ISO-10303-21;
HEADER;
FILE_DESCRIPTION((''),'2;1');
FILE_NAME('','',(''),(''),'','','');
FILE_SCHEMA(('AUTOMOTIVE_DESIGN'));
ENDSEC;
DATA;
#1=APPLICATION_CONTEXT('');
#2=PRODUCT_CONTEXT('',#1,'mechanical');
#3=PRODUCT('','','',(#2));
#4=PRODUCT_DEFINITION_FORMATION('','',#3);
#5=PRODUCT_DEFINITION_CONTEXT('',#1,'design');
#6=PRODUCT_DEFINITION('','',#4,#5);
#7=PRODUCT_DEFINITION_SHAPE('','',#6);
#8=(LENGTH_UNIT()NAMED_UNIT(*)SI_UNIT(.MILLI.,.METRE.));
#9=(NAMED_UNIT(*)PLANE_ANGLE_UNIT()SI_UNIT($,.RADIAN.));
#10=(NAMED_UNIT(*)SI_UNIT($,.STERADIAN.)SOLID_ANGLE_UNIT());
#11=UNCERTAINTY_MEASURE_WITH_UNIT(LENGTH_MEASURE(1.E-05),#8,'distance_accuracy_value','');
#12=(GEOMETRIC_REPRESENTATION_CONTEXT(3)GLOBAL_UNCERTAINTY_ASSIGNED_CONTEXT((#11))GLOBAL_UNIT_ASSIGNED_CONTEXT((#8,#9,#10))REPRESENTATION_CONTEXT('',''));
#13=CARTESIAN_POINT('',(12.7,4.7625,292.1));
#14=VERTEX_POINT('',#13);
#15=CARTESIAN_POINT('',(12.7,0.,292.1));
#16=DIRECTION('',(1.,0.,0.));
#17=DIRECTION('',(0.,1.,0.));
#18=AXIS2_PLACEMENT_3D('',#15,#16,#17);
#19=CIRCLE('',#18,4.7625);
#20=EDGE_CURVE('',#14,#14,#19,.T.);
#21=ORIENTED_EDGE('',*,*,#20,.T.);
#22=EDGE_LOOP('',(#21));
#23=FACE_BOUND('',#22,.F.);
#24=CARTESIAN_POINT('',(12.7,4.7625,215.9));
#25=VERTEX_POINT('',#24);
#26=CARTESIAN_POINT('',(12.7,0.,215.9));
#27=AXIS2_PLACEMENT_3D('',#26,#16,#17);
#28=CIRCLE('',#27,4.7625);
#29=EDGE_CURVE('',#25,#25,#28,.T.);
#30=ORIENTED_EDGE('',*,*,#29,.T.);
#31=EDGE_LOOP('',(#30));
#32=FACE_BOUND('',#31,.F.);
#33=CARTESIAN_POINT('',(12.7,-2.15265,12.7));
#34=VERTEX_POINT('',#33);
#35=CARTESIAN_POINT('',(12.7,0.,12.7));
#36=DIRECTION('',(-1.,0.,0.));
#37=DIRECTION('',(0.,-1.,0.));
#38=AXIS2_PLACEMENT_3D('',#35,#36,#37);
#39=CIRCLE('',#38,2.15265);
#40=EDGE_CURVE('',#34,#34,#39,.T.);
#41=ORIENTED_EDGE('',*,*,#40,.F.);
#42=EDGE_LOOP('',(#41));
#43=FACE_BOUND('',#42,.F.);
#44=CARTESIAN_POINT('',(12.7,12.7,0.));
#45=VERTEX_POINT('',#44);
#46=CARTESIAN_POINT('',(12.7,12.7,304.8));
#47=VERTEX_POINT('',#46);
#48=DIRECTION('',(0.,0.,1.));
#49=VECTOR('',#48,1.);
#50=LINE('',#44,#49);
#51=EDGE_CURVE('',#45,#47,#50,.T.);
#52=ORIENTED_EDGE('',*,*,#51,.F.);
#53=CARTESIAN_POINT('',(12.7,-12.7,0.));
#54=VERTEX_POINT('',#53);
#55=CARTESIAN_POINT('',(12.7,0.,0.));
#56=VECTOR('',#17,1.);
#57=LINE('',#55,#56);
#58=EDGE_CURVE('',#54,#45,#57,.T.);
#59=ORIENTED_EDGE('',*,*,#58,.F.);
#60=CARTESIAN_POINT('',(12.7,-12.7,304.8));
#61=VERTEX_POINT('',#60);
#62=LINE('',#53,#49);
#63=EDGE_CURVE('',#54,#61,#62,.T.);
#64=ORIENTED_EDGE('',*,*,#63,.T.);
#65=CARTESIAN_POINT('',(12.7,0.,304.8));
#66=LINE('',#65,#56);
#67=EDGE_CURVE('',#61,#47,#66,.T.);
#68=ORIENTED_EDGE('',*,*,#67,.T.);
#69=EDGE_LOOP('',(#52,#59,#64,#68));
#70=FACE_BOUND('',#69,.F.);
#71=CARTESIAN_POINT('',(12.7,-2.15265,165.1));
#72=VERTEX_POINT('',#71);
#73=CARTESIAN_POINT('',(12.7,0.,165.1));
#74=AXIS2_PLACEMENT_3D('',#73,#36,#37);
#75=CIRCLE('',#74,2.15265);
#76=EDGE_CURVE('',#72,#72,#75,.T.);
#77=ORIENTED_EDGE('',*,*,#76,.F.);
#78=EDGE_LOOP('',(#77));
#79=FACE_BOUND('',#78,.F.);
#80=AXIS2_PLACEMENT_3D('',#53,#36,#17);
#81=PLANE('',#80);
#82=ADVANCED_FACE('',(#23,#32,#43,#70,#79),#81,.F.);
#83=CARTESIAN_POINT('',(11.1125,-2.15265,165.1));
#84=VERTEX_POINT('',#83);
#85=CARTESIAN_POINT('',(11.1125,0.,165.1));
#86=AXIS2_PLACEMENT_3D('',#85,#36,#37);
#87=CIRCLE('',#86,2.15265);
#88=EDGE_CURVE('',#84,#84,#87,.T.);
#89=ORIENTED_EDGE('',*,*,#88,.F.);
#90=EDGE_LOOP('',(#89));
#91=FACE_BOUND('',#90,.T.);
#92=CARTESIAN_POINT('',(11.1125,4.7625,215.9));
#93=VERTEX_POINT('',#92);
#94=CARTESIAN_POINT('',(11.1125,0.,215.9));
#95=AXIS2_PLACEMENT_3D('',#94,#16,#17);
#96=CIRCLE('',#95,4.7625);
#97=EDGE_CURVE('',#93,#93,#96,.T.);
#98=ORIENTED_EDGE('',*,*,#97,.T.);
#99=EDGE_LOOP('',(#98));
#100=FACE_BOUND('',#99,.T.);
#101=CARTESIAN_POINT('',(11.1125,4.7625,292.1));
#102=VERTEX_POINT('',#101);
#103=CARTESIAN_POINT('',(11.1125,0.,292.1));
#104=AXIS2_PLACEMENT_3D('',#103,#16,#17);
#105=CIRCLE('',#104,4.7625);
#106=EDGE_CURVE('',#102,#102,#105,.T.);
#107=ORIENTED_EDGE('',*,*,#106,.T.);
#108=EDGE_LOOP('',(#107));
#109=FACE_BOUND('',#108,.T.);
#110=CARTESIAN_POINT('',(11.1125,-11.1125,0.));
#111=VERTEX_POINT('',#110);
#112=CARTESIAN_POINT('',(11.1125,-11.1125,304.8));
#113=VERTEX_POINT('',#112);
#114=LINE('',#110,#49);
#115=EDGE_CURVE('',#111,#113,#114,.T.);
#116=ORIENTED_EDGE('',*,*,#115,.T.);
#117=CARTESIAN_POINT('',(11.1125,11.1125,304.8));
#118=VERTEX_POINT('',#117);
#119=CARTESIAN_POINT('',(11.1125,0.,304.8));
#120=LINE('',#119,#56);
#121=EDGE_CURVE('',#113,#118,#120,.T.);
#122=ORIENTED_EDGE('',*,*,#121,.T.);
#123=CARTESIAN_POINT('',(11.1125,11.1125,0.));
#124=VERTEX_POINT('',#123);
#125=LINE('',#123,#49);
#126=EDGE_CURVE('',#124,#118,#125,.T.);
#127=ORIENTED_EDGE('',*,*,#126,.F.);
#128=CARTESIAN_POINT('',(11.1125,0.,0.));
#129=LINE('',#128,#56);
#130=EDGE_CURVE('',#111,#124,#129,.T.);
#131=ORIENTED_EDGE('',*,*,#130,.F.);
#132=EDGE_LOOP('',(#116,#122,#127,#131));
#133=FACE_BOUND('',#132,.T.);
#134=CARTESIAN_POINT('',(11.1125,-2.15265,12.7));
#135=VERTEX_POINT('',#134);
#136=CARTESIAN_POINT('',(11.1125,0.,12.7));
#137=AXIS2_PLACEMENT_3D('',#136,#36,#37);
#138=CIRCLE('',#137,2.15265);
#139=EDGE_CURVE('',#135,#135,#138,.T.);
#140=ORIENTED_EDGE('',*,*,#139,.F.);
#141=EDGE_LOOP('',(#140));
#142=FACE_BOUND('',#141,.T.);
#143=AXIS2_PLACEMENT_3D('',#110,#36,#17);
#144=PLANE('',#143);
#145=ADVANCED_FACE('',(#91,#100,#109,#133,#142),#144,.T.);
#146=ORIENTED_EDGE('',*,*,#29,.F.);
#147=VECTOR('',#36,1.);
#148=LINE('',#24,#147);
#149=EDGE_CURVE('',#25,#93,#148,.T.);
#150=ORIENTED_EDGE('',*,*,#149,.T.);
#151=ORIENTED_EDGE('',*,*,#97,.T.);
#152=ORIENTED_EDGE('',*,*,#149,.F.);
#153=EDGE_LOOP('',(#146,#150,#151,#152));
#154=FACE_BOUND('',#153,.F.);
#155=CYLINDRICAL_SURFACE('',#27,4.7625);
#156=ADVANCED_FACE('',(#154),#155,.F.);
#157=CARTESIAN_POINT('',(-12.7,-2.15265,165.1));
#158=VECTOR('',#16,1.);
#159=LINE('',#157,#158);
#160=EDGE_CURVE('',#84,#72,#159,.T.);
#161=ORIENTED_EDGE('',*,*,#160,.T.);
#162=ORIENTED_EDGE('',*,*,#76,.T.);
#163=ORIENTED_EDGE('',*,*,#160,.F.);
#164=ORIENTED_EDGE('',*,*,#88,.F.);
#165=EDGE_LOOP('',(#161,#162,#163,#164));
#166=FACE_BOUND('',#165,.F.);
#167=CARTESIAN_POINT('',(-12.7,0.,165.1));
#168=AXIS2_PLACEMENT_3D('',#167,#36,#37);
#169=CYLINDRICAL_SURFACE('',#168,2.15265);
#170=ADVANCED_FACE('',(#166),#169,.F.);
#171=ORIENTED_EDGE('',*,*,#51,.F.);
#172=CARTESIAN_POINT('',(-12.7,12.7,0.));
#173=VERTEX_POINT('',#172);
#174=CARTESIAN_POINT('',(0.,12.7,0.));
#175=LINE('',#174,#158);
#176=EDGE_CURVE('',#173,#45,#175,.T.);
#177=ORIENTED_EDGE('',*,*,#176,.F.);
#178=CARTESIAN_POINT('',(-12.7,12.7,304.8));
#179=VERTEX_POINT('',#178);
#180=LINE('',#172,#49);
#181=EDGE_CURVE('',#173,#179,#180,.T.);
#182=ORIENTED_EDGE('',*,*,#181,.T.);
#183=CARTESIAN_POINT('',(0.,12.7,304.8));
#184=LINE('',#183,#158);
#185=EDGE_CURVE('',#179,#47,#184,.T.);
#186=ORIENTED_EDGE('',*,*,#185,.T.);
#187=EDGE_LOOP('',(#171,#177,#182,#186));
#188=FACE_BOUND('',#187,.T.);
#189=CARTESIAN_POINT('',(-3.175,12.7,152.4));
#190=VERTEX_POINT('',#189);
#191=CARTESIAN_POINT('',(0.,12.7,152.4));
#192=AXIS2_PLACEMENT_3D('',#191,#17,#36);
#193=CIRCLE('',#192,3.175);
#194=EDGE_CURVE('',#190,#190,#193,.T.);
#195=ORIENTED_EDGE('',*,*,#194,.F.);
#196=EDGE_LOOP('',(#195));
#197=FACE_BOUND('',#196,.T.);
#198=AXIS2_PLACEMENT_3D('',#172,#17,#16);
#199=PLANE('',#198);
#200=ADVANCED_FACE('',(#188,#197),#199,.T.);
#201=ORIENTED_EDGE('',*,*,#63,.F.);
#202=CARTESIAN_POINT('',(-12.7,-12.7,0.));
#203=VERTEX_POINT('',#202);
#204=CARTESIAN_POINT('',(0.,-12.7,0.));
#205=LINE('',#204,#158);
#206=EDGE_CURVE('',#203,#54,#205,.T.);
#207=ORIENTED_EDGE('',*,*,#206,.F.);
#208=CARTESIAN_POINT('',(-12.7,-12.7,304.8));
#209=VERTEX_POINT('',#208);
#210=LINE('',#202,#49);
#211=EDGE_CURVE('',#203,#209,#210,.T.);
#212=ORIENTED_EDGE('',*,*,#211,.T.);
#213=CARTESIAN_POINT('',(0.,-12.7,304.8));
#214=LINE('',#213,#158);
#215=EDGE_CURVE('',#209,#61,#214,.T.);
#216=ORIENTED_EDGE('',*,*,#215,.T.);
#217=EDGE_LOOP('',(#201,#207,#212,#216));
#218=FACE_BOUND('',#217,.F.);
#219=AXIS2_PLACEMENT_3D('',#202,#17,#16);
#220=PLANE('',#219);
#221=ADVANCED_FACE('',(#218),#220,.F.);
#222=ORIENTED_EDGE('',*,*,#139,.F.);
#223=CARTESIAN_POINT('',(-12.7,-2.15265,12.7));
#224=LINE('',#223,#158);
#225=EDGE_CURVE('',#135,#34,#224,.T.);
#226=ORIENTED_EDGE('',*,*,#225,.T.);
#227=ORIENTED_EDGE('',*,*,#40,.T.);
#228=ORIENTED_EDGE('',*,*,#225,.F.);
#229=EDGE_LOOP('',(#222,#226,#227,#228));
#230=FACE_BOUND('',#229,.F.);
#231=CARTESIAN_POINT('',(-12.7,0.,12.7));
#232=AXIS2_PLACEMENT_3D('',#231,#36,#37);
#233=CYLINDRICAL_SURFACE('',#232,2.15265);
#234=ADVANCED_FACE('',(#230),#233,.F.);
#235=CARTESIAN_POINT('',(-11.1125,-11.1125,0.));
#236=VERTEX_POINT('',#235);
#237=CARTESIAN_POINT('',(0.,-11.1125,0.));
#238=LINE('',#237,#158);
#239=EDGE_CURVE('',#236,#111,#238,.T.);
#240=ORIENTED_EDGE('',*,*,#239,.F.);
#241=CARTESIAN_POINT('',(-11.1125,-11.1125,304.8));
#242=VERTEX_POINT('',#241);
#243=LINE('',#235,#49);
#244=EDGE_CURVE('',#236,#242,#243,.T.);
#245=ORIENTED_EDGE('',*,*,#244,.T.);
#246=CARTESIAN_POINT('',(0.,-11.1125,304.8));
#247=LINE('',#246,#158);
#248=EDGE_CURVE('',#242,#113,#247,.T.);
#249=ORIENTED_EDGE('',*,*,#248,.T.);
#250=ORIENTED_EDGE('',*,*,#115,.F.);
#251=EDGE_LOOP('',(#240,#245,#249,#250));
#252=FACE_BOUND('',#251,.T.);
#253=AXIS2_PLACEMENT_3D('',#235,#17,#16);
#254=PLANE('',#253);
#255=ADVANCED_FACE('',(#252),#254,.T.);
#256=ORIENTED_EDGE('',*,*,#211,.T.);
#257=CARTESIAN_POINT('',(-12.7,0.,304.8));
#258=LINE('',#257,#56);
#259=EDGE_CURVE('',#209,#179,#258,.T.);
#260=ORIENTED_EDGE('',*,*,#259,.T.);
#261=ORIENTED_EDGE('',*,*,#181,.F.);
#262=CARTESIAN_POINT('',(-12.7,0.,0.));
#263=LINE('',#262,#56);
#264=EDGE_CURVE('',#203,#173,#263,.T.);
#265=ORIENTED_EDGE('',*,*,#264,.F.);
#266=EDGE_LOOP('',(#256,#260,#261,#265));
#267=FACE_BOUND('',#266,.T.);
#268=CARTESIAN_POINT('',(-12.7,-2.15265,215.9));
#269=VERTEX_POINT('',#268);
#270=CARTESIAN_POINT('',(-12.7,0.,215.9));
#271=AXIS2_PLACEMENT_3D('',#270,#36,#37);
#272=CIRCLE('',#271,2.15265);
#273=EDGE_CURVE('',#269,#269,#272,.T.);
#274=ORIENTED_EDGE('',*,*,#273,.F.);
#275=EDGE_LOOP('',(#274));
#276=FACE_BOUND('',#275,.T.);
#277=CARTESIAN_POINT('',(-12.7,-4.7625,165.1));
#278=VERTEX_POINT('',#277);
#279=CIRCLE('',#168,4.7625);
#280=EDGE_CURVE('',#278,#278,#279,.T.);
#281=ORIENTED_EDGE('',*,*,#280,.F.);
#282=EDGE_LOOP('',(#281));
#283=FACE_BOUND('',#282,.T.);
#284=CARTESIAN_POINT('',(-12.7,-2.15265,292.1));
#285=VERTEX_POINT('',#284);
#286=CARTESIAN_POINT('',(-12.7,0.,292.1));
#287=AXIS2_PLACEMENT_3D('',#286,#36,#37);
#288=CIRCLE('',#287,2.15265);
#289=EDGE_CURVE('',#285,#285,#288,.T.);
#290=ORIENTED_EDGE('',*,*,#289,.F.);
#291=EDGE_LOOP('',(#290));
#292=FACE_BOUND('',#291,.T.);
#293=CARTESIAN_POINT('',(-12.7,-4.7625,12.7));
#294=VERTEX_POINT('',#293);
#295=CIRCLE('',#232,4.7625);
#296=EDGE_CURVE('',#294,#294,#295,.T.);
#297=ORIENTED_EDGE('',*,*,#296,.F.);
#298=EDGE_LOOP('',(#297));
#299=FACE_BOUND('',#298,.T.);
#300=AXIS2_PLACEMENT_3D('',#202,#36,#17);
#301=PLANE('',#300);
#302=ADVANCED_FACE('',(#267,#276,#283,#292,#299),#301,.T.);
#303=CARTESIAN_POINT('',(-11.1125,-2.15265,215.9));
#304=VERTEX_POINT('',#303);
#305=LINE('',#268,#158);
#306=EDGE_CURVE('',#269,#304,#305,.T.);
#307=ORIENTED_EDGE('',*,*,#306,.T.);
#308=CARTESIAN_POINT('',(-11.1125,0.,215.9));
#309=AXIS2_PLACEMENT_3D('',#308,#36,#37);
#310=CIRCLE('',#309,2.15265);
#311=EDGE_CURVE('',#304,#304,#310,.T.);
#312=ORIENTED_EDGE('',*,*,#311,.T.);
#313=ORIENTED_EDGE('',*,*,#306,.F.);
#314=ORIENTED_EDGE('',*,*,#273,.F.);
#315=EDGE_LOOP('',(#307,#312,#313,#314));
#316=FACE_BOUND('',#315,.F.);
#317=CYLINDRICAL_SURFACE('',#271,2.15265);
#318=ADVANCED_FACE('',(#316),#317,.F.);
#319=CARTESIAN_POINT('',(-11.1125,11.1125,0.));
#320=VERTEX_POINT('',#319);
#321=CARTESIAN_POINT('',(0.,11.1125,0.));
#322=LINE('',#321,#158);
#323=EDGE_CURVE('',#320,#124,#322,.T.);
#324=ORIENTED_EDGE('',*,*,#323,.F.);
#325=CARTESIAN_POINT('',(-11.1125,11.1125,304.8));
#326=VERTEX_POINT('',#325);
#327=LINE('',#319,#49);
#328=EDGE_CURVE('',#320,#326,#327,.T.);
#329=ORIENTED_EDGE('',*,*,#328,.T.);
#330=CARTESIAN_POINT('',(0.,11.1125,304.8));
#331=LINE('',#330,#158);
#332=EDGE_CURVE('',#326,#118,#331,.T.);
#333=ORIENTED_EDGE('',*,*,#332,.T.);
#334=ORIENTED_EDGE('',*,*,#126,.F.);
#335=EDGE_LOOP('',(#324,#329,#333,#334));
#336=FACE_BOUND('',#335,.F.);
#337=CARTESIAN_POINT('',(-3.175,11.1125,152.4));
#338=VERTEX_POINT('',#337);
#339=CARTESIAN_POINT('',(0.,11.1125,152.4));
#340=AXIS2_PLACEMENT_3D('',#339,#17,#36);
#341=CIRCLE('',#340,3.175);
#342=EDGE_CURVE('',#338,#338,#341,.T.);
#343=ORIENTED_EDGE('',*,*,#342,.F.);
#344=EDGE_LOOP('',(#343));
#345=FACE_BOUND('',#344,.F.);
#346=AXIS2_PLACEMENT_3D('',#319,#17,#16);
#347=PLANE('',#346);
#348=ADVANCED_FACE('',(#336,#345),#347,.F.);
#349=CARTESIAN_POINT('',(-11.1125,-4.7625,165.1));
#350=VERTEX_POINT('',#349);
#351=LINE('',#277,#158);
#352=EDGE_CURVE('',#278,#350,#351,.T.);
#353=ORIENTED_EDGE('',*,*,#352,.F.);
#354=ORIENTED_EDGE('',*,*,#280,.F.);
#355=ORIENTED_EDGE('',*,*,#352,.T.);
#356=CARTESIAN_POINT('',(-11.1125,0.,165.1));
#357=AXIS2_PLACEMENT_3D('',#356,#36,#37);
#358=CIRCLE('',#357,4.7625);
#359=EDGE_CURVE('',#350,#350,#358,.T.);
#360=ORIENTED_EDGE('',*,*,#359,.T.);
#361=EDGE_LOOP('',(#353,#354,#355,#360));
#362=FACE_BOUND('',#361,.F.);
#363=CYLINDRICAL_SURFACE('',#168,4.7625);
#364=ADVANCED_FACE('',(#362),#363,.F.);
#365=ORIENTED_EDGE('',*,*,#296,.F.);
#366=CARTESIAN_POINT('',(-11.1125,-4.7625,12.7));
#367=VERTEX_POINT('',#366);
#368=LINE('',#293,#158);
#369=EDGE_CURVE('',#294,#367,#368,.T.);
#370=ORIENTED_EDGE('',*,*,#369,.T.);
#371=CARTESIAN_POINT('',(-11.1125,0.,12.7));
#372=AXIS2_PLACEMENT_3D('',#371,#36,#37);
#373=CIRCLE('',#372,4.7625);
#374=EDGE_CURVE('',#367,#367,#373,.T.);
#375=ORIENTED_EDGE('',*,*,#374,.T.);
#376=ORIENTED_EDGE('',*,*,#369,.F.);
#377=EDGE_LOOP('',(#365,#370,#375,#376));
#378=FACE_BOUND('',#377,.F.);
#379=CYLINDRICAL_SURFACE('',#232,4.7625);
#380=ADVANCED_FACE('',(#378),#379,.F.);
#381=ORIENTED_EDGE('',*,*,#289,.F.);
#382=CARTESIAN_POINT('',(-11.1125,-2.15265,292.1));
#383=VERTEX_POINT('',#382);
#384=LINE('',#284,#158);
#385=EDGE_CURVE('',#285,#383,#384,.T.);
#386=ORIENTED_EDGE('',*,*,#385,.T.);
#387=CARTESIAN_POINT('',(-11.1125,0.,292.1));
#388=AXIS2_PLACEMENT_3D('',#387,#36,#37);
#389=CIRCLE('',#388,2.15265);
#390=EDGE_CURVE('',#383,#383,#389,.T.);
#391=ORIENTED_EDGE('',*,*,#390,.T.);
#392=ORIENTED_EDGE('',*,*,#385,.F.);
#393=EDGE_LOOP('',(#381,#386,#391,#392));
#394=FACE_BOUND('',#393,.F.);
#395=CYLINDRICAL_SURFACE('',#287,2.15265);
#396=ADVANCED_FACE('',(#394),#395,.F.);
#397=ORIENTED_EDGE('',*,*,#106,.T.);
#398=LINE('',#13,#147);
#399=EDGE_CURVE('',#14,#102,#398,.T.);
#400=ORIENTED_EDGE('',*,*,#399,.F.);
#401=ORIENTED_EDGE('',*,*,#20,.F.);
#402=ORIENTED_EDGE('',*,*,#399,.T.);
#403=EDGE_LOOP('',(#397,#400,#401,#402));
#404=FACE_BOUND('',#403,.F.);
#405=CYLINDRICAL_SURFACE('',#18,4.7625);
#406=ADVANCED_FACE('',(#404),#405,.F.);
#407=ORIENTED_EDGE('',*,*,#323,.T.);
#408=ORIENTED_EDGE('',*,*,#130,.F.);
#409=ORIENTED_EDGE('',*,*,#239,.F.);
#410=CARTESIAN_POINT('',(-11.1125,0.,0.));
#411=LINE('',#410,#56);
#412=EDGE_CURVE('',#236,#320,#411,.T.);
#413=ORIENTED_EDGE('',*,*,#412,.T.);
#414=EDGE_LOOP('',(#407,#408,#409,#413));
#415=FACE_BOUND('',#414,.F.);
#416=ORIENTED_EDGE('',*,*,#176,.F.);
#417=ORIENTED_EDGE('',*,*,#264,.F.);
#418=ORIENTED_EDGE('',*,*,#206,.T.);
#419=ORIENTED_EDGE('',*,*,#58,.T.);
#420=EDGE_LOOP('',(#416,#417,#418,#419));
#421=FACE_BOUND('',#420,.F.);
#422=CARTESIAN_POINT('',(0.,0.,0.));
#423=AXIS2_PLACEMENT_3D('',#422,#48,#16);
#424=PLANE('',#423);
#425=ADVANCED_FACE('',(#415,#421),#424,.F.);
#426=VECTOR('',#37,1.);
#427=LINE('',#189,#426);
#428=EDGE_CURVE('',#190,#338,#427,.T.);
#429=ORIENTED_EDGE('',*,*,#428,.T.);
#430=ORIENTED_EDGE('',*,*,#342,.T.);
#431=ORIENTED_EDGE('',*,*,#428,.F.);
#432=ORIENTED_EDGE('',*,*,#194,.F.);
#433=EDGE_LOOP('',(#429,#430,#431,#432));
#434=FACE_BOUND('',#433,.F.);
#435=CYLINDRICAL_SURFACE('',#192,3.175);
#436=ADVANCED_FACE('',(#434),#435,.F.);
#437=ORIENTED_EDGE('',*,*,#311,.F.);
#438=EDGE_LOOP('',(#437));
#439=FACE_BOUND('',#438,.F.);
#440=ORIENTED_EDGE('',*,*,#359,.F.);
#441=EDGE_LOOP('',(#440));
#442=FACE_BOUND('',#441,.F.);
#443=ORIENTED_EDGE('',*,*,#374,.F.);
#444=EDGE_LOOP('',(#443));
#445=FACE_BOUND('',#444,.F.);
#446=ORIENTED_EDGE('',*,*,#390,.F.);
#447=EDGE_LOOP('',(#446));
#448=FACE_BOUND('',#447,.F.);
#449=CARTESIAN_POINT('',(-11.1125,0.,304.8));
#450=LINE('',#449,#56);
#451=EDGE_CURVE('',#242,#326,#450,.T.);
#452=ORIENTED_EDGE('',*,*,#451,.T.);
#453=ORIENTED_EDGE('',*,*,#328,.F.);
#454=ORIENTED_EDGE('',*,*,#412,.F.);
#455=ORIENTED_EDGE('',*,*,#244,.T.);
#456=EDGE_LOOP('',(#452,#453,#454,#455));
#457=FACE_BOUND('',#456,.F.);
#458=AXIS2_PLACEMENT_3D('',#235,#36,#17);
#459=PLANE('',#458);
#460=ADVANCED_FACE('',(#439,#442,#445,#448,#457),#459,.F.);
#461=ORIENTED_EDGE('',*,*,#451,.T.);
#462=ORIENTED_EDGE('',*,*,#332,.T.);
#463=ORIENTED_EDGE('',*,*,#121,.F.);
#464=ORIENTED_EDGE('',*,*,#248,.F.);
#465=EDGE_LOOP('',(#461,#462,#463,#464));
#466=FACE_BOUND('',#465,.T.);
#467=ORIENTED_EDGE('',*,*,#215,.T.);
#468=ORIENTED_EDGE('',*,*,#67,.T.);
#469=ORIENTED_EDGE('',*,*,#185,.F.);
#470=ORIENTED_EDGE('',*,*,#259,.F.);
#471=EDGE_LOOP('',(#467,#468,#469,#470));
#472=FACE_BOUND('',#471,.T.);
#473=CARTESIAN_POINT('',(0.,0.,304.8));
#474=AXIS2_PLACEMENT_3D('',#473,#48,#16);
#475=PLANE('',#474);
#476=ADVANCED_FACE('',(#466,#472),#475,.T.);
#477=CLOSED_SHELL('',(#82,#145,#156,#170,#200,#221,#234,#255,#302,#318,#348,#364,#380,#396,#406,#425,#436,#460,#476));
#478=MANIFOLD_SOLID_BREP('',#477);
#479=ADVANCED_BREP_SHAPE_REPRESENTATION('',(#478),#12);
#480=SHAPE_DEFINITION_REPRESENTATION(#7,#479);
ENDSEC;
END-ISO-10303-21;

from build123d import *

# Parameters (mm, degrees)
F0_W     = 25.4
F0_H     = 25.4
F0_W_2   = 22.225
F0_H_2   = 22.225
F1_DEPTH = 304.8
F2_R     = 3.175
F3_DEPTH = 1.5875
F4_R     = 2.15265
F5_DEPTH = 25.4
F6_R     = 4.7625
F7_DEPTH = 1.5875
F8_R     = 4.7625
F9_DEPTH = 1.5875


with BuildPart() as f1:
    # F0 (on Top) → F1 (new body)
    with BuildSketch(Plane.XY):
        Rectangle(F0_W, F0_H)
        Rectangle(F0_W_2, F0_H_2, mode=Mode.SUBTRACT)
    extrude(amount=F1_DEPTH)

    # F2 (on face) → F3 (cut, through all)
    with BuildSketch(Plane(origin=(0, 12.7, 0), x_dir=(-1, 0, 0), z_dir=(0, 1, 0))):
        with Locations((0, 152.4)):
            Circle(F2_R)
    extrude(amount=-F3_DEPTH, mode=Mode.SUBTRACT)

    # F4 (on face) → F5 (cut, through all)
    with BuildSketch(Plane(origin=(-12.7, 0, 0), x_dir=(0, -1, 0), z_dir=(-1, 0, 0))):
        with Locations((0, 12.7)):
            Circle(F4_R)
        with Locations((0, 165.1)):
            Circle(F4_R)
        with Locations((0, 292.1)):
            Circle(F4_R)
        with Locations((0, 215.9)):
            Circle(F4_R)
    extrude(amount=-F5_DEPTH, mode=Mode.SUBTRACT)

    # F6 (on face) → F7 (cut, through all)
    with BuildSketch(Plane.YZ.offset(12.7)):
        with Locations((0, 292.1)):
            Circle(F6_R)
        with Locations((0, 215.9)):
            Circle(F6_R)
    extrude(amount=-F7_DEPTH, mode=Mode.SUBTRACT)

    # F8 (on face) → F9 (cut, through all)
    with BuildSketch(Plane(origin=(-12.7, 0, 0), x_dir=(0, -1, 0), z_dir=(-1, 0, 0))):
        with Locations((0, 165.1)):
            Circle(F8_R)
        with Locations((0, 12.7)):
            Circle(F8_R)
    extrude(amount=-F9_DEPTH, mode=Mode.SUBTRACT)


solid = f1.part
